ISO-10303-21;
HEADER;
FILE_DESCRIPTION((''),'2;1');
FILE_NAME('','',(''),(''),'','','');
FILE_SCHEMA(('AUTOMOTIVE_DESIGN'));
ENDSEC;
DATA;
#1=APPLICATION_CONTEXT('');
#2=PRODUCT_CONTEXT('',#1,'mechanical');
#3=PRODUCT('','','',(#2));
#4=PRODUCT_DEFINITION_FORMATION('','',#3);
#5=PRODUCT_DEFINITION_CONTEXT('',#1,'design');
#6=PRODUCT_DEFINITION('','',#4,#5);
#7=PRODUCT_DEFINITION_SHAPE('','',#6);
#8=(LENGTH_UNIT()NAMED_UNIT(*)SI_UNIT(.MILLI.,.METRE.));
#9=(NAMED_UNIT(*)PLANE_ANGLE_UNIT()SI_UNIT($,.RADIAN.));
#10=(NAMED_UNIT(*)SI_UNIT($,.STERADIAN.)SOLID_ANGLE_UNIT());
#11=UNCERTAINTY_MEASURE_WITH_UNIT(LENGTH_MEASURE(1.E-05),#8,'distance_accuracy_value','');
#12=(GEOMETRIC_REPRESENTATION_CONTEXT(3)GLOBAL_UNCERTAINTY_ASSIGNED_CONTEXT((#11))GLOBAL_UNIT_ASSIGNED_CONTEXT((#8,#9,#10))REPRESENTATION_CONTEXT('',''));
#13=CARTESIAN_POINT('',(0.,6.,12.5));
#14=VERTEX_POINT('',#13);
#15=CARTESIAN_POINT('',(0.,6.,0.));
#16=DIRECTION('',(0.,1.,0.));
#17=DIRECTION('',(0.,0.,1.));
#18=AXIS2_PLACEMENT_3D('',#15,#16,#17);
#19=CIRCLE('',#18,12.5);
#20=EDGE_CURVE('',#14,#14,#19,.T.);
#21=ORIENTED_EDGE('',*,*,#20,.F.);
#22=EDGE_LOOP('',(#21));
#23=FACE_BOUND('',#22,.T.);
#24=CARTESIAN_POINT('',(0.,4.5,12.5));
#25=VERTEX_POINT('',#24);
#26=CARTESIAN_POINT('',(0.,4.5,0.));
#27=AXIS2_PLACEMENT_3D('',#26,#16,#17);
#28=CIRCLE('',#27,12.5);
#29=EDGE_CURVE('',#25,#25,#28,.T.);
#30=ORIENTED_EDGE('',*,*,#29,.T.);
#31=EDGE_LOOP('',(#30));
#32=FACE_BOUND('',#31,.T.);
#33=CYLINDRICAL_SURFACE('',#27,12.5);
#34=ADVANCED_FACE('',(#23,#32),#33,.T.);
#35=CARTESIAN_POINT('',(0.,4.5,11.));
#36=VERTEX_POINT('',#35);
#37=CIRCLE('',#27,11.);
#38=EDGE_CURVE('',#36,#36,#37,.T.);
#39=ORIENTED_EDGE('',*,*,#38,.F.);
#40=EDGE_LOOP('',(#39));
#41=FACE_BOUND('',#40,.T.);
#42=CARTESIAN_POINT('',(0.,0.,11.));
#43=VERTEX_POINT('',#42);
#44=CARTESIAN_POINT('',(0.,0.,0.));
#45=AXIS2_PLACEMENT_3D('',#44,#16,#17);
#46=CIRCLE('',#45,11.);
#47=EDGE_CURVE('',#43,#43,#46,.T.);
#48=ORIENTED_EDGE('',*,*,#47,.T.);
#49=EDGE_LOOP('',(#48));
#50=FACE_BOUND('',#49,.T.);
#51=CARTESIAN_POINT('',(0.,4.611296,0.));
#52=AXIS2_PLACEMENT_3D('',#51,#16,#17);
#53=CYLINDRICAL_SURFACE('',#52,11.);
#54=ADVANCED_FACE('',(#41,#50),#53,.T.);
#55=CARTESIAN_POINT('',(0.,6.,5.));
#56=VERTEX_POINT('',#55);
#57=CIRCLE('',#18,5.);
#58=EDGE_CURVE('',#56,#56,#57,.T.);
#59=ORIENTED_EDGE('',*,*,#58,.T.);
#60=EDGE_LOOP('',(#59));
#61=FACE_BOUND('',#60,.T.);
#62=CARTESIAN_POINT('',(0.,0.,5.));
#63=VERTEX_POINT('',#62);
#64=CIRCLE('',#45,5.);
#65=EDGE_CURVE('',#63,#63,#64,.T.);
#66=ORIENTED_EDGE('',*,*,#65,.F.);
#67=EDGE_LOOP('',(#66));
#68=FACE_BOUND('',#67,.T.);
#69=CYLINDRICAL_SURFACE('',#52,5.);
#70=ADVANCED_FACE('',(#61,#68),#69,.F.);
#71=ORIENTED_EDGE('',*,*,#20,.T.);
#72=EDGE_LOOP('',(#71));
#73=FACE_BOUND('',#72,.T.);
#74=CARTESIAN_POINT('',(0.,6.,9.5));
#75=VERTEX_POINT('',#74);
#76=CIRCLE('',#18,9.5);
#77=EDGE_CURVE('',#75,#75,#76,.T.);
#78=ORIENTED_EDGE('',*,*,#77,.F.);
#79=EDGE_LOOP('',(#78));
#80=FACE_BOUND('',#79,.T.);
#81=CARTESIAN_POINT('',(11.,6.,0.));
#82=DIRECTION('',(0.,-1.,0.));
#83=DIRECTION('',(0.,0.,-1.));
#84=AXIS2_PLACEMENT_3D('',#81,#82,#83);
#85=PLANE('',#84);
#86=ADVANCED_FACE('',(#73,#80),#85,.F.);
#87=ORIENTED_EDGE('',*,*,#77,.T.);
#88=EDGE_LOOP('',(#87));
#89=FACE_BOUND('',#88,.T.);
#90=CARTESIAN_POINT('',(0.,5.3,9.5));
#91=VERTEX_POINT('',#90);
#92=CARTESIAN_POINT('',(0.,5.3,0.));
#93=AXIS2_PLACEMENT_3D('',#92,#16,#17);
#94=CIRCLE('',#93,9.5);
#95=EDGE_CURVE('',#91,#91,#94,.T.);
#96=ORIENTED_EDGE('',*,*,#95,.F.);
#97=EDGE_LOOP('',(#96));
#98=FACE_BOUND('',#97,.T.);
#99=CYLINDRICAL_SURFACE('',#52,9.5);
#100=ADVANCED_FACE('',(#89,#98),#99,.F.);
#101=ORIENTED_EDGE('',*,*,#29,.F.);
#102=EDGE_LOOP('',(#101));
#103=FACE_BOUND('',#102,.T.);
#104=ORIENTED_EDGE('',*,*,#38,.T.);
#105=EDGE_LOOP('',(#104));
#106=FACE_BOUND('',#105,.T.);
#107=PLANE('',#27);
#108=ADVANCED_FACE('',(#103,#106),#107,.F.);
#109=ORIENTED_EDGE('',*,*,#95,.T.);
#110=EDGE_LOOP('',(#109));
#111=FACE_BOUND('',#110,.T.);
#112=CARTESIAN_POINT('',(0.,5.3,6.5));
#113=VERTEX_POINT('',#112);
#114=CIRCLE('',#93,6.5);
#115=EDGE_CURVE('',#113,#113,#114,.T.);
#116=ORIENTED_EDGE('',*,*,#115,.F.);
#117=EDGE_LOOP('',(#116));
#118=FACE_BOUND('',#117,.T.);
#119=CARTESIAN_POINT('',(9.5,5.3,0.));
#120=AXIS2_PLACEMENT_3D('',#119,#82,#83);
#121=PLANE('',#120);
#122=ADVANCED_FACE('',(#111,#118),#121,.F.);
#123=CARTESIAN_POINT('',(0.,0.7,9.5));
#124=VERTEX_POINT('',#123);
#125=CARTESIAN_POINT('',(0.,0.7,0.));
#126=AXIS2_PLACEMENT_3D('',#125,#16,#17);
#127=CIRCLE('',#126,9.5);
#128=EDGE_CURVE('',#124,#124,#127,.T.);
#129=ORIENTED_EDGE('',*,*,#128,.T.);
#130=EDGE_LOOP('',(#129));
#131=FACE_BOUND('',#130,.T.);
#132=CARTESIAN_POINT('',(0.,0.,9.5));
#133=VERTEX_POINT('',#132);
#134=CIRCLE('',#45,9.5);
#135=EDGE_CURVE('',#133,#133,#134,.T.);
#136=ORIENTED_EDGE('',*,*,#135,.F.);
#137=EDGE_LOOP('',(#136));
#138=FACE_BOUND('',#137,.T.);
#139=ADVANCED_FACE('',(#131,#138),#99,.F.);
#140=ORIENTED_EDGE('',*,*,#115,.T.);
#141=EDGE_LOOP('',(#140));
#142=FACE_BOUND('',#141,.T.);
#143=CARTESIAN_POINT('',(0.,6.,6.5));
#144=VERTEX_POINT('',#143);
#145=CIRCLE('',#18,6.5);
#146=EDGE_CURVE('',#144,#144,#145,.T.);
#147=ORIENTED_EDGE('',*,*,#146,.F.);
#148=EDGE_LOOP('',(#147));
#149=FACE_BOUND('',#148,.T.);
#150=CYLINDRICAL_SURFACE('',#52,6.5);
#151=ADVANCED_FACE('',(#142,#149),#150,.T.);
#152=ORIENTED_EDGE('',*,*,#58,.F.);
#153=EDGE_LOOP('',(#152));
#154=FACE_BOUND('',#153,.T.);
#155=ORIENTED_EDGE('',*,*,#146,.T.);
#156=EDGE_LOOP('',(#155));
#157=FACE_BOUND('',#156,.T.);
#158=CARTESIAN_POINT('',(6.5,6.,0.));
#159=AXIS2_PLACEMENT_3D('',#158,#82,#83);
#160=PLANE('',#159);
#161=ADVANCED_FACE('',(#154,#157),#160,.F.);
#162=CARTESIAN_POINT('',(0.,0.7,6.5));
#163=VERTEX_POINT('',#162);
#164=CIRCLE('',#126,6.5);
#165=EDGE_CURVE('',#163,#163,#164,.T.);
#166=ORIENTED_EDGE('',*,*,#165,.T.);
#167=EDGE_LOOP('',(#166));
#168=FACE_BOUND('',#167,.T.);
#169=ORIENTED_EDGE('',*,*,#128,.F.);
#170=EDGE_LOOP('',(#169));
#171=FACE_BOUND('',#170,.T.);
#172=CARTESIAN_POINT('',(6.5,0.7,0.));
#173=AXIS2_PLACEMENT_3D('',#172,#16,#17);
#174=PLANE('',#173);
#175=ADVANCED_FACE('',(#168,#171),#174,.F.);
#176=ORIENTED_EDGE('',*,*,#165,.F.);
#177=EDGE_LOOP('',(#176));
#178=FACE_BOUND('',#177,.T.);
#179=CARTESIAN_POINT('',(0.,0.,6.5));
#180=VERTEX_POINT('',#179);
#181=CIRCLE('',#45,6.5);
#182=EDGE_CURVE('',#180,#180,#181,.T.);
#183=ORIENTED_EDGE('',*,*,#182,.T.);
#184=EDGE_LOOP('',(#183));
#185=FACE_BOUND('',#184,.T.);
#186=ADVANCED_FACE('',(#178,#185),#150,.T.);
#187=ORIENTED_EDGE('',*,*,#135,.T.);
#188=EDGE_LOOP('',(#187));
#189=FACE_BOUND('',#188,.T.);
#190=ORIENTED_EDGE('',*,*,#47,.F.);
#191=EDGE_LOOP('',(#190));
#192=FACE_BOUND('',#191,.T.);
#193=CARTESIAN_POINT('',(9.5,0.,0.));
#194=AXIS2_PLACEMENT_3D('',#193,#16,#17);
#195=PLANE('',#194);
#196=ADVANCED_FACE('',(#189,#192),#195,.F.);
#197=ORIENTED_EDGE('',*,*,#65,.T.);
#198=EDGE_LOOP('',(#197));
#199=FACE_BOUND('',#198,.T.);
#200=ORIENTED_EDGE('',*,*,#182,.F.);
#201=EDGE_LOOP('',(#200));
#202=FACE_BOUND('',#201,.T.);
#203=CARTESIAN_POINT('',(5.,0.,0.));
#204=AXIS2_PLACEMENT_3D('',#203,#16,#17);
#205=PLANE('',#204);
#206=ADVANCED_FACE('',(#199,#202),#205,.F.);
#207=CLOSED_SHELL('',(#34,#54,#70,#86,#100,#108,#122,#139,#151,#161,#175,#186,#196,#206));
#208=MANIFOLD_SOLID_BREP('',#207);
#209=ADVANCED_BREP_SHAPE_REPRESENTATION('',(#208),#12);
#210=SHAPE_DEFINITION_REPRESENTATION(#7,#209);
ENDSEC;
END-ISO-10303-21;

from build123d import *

# Parameters (mm, degrees)
SKETCH_2_R      = 12.5
SKETCH_2_R_2    = 11
EXTRUDE_1_DEPTH = 1.5


with BuildPart() as part:
    # 草图1 → 旋转1 (revolve)
    with BuildSketch(Plane.XY, mode=Mode.PRIVATE) as revolve_1_sk:
        Polygon((5, 6), (5, 0), (6.5, 0), (6.5, 0.7), (9.5, 0.7), (9.5, 0), (11, 0), (11, 6), (9.5, 6), (9.5, 5.3), (6.5, 5.3), (6.5, 6), align=None)
    revolve(revolve_1_sk.sketch.rotate(Axis((0, 4.611296038, 0), (0, -1, 0)), 90), axis=Axis((0, 4.611296038, 0), (0, -1, 0)))

    # 草图2 → 凸台-拉伸1 (add)
    with BuildSketch(Plane(origin=(0, 6, 0), x_dir=(1, 0, 0), z_dir=(0, 1, 0))):
        with Locations(Location((0, 0, 0), (0, 0, 270))):
            Circle(SKETCH_2_R)
        with Locations(Location((0, 0, 0), (0, 0, 270))):
            Circle(SKETCH_2_R_2, mode=Mode.SUBTRACT)
    extrude(amount=-EXTRUDE_1_DEPTH)


solid = part.part
